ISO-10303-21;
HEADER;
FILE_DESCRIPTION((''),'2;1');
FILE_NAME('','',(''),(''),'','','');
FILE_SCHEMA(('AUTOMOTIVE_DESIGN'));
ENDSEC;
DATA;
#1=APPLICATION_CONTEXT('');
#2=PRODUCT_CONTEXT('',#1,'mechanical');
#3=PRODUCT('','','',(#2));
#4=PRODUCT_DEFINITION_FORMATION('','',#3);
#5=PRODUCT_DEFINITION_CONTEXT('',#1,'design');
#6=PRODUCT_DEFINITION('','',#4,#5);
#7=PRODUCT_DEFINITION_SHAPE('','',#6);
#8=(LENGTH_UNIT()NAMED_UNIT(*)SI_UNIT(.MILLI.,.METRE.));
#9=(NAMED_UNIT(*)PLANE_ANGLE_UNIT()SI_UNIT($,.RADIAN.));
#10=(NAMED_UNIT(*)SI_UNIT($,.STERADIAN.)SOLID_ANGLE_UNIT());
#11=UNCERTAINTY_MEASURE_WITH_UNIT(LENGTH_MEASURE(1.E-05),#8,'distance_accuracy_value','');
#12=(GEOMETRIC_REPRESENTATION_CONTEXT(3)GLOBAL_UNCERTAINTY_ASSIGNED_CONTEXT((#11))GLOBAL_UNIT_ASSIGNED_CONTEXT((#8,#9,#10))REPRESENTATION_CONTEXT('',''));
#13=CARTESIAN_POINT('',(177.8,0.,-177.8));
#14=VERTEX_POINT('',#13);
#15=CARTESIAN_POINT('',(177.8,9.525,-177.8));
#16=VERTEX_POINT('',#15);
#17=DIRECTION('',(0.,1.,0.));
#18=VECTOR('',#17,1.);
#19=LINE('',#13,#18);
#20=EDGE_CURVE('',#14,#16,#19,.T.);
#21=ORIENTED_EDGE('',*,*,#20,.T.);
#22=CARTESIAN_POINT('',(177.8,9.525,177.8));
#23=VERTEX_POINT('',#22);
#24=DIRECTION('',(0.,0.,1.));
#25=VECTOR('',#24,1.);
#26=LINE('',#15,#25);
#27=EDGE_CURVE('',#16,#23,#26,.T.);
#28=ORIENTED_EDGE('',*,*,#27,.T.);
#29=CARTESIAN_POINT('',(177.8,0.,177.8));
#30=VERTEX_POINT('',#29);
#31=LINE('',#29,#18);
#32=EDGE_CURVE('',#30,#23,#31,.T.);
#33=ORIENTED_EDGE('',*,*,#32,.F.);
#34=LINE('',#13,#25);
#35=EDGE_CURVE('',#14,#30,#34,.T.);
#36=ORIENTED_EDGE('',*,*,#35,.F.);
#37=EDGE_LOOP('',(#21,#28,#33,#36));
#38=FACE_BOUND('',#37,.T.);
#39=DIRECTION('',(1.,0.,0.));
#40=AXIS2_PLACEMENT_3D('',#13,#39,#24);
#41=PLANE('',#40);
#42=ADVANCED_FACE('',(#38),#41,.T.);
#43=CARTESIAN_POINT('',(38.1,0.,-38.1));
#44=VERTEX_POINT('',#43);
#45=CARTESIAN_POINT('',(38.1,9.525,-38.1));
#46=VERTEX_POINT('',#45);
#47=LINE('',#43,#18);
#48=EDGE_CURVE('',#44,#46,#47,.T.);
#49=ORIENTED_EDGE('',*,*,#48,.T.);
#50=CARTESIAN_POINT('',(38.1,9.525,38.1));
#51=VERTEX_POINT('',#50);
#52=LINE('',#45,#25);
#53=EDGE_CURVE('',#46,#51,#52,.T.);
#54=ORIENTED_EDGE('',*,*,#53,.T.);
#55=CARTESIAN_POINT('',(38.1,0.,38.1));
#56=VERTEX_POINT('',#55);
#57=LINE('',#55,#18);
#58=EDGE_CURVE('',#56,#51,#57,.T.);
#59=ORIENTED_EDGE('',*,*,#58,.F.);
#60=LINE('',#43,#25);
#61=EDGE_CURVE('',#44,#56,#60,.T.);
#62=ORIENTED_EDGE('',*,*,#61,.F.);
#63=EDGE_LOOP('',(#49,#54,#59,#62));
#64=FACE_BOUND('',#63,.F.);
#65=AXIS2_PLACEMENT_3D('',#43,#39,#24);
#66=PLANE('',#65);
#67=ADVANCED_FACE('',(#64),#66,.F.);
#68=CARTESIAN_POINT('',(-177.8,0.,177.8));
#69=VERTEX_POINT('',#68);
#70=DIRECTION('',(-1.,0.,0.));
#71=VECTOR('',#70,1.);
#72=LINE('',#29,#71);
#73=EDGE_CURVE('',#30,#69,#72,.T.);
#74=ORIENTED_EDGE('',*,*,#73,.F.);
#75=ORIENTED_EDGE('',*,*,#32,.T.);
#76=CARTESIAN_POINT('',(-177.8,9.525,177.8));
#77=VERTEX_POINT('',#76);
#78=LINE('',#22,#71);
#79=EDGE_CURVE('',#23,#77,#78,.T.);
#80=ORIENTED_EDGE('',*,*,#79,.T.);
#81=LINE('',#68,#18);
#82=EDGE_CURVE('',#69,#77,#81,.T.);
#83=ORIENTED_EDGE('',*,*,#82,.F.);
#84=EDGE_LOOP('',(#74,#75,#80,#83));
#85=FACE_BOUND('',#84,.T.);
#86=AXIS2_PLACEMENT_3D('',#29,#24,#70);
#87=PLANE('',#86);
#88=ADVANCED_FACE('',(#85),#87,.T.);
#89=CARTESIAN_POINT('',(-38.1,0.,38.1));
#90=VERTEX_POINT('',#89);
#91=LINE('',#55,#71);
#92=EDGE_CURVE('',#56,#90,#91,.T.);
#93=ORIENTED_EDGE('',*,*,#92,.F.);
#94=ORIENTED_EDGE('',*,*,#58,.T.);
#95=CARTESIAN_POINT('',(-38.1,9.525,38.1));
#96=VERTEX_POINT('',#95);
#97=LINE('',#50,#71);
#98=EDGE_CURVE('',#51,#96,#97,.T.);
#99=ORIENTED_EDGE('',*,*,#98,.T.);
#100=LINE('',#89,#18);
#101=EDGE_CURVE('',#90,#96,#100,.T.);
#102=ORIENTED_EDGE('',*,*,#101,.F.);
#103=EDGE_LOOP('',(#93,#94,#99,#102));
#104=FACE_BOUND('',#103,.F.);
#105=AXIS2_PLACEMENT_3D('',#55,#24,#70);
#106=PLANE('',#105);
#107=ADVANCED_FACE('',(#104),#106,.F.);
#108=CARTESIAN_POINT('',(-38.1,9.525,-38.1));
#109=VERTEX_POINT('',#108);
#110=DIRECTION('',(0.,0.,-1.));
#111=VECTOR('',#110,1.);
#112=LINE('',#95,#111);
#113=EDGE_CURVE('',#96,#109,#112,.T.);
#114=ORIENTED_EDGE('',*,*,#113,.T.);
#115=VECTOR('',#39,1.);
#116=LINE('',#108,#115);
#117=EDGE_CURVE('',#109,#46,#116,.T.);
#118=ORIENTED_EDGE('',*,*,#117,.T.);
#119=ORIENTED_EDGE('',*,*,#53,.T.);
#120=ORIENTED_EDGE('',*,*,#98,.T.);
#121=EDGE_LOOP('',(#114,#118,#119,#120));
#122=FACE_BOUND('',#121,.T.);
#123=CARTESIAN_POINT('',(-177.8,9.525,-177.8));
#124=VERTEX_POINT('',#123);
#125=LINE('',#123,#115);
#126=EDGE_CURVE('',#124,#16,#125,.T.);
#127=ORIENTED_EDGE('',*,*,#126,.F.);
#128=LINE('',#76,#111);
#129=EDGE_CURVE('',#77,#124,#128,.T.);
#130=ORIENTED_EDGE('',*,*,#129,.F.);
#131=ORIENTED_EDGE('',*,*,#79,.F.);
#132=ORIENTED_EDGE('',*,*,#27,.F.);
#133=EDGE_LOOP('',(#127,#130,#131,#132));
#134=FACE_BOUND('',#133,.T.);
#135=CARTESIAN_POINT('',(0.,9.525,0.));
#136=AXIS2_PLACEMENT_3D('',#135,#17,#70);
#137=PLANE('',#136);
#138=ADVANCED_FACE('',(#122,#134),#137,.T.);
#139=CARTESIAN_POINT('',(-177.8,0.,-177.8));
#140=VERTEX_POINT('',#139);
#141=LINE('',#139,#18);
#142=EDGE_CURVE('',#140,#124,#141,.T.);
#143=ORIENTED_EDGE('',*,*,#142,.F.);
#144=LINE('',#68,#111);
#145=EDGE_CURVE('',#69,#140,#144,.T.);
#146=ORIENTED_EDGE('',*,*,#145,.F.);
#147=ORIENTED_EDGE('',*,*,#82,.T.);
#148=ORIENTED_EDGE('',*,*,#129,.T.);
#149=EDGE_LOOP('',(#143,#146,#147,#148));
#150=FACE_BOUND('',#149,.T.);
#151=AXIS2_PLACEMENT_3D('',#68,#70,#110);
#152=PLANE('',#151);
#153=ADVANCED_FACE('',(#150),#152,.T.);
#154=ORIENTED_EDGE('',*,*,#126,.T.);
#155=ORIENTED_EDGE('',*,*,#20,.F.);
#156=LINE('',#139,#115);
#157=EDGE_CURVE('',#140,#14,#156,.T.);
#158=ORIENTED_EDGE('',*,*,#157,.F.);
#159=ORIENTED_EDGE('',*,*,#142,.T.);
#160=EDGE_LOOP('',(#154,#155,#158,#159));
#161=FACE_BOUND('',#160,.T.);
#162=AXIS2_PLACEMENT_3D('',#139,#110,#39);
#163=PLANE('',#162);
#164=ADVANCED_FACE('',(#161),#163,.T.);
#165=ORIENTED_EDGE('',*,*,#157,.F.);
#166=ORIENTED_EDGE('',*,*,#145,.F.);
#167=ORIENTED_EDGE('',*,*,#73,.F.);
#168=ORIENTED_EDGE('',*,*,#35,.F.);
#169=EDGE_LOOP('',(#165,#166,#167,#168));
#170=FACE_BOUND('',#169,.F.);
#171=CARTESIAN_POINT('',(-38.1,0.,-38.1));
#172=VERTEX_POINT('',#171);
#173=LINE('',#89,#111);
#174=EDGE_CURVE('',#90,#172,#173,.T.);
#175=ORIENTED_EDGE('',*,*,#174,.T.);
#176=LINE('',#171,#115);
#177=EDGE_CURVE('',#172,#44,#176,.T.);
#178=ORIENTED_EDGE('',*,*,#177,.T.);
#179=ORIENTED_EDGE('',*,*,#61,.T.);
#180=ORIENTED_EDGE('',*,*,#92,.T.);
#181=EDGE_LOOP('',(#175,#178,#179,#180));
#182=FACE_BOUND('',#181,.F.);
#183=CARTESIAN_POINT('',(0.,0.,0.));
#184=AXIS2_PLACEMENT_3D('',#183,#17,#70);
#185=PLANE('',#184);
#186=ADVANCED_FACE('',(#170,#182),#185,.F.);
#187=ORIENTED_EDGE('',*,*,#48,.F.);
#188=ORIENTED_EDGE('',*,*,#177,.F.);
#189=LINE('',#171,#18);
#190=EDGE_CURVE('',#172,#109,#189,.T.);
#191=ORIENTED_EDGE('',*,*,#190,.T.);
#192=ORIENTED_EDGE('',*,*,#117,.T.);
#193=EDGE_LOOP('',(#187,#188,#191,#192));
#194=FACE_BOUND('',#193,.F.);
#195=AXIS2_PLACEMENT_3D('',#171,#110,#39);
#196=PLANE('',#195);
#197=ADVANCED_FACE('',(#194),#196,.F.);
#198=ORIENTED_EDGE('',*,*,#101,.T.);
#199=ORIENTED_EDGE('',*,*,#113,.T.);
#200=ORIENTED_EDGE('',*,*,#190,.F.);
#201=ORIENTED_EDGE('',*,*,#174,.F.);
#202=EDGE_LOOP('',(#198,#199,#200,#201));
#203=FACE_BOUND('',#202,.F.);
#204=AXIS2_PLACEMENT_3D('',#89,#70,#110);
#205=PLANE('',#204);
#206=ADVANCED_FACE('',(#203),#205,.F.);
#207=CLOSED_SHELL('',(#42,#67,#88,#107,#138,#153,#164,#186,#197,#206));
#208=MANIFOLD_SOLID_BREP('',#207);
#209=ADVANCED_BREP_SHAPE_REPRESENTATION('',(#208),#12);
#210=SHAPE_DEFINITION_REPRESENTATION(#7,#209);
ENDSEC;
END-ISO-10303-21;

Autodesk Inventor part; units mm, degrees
ref_plane "YZ Plane" through (0, 0, 0) normal (1, 0, 0) x (0, 1, 0)
ref_plane "XZ Plane" through (0, 0, 0) normal (0, 1, 0) x (-1, 0, 0)
ref_plane "XY Plane" through (0, 0, 0) normal (0, 0, 1) x (1, 0, 0)
sketch "Sketch1" plane through (0, 0, 0) normal (0, 1, 0) x (-1, 0, 0)
  line L0 (-177.8, 177.8) -> (177.8, 177.8)
  line L1 (177.8, 177.8) -> (177.8, -177.8)
  line L2 (177.8, -177.8) -> (-177.8, -177.8)
  line L3 (-177.8, -177.8) -> (-177.8, 177.8)
  line L4 (-177.8, 177.8) -> (177.8, -177.8) construction
  line L5 (177.8, 177.8) -> (-177.8, -177.8) construction
  line L6 (-38.1, 38.1) -> (38.1, 38.1)
  line L7 (38.1, 38.1) -> (38.1, -38.1)
  line L8 (38.1, -38.1) -> (-38.1, -38.1)
  line L9 (-38.1, -38.1) -> (-38.1, 38.1)
  line L10 (-38.1, 38.1) -> (38.1, -38.1) construction
  line L11 (38.1, 38.1) -> (-38.1, -38.1) construction
  point P0 (0, 0)
  dimension "d0" = 355.6
  dimension "d1" = 355.6
  dimension "d4" = 76.2
extrude "Extrusion1" add sketch "Sketch1" along normal blind 9.525
properties part number "sorbothane-base-38in" material "Rubber"
